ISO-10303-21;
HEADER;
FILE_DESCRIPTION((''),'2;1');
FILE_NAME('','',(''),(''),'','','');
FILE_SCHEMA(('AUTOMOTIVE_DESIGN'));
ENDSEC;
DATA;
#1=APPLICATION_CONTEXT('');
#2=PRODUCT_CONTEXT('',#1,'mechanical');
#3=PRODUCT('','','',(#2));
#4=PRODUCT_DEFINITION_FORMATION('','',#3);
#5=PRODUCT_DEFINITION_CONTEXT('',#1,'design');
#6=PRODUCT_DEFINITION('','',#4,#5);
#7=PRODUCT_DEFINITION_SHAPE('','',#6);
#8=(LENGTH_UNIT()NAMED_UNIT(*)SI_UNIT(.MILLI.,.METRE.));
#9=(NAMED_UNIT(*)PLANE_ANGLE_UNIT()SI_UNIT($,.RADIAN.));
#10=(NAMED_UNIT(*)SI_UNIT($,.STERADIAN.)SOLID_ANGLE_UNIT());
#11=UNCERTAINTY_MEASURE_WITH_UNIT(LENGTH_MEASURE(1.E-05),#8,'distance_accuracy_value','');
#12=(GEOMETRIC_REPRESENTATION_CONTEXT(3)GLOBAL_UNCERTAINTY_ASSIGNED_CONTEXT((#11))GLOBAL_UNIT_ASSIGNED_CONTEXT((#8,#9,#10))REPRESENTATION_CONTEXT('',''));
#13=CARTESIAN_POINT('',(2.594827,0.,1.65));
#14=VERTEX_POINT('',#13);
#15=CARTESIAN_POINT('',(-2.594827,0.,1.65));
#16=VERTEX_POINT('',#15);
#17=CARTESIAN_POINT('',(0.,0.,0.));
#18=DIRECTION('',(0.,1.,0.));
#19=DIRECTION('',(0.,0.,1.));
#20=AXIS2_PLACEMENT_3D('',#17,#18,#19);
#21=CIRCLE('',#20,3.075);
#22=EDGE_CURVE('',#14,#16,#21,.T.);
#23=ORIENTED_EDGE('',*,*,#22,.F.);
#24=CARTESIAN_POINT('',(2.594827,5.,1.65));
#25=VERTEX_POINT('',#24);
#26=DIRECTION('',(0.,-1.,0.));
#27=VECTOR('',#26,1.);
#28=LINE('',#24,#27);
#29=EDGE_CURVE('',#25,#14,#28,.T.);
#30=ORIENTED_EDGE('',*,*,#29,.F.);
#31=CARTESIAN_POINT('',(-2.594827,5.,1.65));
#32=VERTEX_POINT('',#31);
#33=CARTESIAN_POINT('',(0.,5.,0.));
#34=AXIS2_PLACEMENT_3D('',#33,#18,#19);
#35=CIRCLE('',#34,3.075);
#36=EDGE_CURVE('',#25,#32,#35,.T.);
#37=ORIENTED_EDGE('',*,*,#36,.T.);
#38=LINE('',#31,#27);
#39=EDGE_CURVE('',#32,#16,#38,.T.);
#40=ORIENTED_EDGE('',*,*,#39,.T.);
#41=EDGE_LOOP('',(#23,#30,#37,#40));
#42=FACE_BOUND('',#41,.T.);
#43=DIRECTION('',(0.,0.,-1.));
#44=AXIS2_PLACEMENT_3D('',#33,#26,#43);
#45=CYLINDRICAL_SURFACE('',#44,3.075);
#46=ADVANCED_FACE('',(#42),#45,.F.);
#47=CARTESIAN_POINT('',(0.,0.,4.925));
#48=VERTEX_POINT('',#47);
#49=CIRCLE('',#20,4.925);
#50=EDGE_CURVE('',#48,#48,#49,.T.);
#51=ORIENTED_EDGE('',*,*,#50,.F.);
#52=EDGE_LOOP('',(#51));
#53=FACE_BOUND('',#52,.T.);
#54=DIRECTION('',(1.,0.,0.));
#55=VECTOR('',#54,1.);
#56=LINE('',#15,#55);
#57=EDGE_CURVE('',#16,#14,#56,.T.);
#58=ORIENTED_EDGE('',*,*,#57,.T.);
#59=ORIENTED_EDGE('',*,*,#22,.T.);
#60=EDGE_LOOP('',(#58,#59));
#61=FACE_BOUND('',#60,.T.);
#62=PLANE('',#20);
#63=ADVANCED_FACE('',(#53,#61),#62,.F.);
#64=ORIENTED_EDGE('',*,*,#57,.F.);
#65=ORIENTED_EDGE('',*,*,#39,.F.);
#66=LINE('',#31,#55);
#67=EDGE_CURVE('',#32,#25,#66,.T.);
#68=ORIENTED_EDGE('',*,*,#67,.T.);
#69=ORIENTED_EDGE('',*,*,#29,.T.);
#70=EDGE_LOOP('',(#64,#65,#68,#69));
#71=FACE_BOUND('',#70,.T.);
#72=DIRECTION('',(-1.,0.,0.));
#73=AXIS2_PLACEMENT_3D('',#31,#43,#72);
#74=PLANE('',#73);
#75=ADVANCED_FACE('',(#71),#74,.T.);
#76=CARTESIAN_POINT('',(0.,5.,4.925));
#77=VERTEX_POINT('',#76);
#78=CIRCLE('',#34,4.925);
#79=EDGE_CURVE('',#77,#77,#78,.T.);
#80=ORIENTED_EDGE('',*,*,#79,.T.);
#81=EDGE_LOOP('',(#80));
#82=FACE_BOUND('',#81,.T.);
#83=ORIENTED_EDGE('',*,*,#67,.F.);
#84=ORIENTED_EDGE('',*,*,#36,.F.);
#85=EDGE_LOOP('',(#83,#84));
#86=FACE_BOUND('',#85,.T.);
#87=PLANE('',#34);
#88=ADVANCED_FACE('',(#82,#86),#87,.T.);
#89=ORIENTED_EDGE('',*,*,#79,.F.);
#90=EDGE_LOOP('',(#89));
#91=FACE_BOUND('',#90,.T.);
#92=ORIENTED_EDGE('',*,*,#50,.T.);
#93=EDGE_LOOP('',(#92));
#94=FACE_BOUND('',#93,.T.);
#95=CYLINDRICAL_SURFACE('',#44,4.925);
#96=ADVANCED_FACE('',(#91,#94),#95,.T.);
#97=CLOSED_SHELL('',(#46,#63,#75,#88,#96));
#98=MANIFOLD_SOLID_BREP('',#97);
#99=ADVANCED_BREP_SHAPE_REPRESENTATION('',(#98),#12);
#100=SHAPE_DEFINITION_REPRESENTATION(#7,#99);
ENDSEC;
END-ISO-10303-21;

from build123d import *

# Parameters (mm, degrees)
SKETCH1_R           = 4.925
BOSS_EXTRUDE1_DEPTH = 5


with BuildPart() as part:
    # Sketch1 → Boss-Extrude1 (new body)
    with BuildSketch(Plane(origin=(0, 0, 0), x_dir=(1, 0, 0), z_dir=(0, 1, 0))):
        with Locations(Location((0, 0, 0), (0, 0, 270))):
            Circle(SKETCH1_R)
        with BuildLine():
            Line((-2.594826584, -1.65), (2.594826584, -1.65))
            ThreePointArc((2.594826584, -1.65), (0, 3.075), (-2.594826584, -1.65))
        make_face(mode=Mode.SUBTRACT)
    extrude(amount=BOSS_EXTRUDE1_DEPTH)


solid = part.part
